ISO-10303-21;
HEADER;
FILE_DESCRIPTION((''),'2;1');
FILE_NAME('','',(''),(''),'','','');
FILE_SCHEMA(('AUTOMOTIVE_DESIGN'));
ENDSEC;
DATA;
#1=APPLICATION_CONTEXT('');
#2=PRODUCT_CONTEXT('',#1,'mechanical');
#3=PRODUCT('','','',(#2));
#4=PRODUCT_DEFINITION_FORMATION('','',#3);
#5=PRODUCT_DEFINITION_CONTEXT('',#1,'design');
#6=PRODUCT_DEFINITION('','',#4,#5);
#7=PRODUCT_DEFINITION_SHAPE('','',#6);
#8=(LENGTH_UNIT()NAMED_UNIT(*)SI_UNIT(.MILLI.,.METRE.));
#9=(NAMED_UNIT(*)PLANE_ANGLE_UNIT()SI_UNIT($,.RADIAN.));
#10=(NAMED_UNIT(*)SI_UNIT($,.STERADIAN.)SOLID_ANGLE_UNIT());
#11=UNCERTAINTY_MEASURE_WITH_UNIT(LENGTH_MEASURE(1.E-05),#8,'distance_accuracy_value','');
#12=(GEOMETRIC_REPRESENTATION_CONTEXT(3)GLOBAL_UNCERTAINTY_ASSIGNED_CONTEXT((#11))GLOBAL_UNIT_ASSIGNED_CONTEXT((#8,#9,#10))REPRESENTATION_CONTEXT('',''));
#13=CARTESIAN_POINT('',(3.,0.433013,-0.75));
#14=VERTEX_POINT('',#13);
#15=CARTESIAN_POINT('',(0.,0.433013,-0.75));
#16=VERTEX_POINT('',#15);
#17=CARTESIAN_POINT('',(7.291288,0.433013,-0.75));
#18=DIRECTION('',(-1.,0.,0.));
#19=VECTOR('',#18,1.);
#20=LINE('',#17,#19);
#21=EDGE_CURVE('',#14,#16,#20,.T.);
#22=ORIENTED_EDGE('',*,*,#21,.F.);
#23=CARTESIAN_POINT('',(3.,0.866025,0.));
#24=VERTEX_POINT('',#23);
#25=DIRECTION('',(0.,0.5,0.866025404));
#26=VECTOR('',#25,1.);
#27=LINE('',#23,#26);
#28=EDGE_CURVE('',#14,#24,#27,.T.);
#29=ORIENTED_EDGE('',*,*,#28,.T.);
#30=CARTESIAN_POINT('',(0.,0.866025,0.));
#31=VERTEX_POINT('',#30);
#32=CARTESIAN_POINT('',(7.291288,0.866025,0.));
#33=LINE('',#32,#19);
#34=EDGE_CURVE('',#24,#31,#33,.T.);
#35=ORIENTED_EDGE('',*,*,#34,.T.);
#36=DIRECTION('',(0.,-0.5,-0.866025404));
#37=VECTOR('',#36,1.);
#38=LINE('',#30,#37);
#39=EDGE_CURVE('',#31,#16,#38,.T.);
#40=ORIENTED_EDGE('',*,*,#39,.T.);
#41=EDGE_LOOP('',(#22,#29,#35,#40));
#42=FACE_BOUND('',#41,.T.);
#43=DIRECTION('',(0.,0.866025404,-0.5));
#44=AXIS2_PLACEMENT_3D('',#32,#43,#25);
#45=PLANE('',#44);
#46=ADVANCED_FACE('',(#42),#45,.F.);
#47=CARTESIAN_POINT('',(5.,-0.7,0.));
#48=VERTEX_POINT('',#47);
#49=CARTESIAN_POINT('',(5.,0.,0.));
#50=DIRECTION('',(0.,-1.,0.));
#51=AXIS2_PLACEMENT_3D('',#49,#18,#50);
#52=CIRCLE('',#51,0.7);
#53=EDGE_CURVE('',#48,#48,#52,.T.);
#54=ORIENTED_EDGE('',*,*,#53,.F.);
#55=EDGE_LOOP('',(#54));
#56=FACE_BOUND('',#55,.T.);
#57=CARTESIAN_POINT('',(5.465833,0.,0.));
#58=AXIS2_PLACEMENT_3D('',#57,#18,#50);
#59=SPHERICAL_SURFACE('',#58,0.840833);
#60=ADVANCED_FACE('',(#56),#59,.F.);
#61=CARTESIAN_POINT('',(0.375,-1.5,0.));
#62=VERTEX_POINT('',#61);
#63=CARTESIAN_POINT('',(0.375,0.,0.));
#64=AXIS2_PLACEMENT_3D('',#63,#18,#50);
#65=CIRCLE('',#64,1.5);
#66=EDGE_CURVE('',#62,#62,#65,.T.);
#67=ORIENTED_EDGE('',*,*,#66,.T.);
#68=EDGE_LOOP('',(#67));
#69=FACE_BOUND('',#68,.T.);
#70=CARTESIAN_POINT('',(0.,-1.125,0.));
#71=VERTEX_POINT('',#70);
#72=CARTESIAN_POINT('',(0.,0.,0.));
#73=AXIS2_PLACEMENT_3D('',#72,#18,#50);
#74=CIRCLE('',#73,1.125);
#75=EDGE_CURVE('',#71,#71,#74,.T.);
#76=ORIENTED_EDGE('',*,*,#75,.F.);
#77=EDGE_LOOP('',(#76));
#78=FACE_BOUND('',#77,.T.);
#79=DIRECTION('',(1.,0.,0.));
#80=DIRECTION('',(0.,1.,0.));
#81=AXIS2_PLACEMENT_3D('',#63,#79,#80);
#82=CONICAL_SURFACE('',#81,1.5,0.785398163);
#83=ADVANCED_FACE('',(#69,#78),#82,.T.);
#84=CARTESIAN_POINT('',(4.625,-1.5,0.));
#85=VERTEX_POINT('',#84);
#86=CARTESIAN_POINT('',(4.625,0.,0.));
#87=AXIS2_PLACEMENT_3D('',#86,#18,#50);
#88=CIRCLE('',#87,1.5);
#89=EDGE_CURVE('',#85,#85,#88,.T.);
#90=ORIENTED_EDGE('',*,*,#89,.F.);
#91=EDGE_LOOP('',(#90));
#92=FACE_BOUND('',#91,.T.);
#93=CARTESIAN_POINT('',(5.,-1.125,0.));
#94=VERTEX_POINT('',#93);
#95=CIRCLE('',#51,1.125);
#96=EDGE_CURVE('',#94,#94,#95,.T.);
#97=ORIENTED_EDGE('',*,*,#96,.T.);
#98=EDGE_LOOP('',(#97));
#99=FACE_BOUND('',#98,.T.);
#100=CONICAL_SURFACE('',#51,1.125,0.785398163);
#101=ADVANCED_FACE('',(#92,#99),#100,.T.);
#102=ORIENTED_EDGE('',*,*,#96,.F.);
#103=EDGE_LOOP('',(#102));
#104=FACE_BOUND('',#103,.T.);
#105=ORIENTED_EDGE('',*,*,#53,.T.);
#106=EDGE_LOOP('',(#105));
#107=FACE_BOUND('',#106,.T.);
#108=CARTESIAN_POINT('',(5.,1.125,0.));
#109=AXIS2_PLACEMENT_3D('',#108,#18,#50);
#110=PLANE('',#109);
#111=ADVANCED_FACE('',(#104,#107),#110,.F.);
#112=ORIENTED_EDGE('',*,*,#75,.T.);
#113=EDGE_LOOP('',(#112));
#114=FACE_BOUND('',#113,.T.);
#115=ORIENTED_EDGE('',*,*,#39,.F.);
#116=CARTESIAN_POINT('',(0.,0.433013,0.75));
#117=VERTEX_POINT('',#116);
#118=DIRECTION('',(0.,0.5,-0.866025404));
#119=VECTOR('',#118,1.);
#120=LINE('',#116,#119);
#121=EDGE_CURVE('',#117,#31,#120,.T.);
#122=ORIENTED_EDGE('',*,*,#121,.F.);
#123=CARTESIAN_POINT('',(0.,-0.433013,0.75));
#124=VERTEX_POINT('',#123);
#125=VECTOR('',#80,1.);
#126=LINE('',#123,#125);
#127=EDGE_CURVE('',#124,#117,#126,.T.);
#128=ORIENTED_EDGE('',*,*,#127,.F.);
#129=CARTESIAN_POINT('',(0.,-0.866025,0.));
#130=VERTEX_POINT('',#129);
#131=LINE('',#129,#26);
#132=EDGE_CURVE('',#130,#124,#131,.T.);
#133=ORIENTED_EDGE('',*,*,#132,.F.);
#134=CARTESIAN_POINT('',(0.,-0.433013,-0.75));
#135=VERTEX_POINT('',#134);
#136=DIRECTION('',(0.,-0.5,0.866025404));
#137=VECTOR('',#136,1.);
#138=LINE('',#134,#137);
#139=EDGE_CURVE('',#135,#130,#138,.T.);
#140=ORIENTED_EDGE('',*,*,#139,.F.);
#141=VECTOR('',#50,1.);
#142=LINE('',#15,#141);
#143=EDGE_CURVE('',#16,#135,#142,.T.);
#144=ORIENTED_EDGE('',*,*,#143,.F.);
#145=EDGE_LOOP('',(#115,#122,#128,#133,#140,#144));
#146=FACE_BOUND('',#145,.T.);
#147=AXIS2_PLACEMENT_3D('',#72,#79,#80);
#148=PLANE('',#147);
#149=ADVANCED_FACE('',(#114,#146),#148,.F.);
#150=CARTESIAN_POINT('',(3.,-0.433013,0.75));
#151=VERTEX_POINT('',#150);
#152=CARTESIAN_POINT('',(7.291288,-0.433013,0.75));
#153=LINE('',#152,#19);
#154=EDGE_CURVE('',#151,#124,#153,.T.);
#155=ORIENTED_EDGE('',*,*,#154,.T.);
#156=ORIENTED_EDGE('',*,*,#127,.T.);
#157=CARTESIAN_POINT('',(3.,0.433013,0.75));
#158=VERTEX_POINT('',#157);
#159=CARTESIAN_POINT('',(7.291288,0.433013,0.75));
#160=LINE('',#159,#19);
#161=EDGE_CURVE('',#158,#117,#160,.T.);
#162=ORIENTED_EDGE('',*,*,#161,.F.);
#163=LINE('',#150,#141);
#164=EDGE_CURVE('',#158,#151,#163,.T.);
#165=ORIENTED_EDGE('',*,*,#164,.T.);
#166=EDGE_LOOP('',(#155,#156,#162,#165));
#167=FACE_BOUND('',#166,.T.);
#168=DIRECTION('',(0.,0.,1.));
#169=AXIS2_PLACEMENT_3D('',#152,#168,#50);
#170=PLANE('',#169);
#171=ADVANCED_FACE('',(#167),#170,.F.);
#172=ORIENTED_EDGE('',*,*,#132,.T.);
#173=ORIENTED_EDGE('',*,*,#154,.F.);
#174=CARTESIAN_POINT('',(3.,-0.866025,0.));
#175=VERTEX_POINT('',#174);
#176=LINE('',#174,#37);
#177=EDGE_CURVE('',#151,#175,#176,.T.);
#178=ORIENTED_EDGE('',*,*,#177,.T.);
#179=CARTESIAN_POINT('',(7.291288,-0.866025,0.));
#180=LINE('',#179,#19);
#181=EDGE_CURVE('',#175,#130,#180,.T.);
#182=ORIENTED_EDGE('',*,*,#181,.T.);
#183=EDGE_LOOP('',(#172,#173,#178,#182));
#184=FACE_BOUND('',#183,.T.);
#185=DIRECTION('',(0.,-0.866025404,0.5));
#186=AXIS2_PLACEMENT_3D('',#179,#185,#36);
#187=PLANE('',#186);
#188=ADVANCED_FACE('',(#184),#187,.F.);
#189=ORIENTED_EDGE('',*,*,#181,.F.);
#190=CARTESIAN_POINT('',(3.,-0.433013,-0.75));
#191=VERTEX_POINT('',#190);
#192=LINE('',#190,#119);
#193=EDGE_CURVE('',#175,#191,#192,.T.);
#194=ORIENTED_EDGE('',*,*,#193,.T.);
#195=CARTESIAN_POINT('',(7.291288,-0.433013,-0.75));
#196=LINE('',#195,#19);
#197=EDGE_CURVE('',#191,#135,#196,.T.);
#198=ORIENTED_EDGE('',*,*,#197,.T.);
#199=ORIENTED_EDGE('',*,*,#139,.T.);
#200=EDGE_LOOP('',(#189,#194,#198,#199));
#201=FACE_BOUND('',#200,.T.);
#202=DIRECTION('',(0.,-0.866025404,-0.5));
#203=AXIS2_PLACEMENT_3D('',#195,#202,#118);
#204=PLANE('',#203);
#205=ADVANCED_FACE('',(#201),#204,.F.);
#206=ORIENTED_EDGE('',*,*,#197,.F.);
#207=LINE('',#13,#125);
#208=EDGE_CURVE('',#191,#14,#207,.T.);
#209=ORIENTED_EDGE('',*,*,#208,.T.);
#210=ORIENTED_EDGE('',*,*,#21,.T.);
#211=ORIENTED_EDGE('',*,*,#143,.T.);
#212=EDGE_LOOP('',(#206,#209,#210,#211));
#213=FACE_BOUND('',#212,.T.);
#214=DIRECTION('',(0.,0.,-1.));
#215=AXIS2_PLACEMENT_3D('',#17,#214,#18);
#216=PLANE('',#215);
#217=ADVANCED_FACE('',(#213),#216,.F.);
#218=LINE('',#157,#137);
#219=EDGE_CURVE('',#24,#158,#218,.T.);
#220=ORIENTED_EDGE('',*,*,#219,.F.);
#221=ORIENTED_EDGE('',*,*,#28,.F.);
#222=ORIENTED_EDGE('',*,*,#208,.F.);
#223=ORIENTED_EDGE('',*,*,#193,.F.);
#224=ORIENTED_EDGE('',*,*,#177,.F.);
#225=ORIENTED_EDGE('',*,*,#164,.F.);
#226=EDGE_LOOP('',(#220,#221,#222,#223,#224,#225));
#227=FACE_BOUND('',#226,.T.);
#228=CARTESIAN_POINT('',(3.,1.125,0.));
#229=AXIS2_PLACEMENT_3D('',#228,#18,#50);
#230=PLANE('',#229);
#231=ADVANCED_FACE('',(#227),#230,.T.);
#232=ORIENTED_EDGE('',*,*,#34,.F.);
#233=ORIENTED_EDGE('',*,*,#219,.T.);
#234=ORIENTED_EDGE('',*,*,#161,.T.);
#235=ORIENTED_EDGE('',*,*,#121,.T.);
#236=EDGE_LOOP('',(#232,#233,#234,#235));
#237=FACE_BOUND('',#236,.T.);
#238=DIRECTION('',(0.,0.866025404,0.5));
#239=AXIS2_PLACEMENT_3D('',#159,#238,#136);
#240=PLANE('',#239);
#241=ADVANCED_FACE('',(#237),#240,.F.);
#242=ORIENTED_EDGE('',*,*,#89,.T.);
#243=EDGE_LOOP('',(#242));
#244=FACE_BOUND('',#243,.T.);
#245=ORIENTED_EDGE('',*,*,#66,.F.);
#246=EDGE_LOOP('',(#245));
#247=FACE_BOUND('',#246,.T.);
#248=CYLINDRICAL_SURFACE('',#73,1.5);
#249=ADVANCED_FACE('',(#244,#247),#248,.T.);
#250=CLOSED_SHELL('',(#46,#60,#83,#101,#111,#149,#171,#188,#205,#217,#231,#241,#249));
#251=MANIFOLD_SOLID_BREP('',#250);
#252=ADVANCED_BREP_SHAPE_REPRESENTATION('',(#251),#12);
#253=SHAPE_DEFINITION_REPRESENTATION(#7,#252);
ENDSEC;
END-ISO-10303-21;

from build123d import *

# Parameters (mm, degrees)
CUT_EXTRUDE1_DEPTH = 3


with BuildPart() as part:
    # Sketch1 → Revolve1 (revolve)
    with BuildSketch(Plane.XY, mode=Mode.PRIVATE) as revolve1_sk:
        with BuildLine():
            Line((0, 0), (0, 1.125))
            Line((0, 1.125), (0.375, 1.5))
            Line((0.375, 1.5), (4.625, 1.5))
            Line((4.625, 1.5), (5, 1.125))
            Line((5, 1.125), (5, 0.7))
            ThreePointArc((5, 0.7), (4.724655592, 0.397059504), (4.625, 0))
            Line((4.625, 0), (0, 0))
        make_face()
    revolve(revolve1_sk.sketch.rotate(Axis((0, 0, 0), (1, 0, 0)), 180), axis=Axis((0, 0, 0), (1, 0, 0)))

    # Sketch2 → Cut-Extrude1 (cut)
    with BuildSketch(Plane.ZY):
        Polygon((0, 0.866025404), (-0.75, 0.433012702), (-0.75, -0.433012702), (0, -0.866025404), (0.75, -0.433012702), (0.75, 0.433012702), align=None)
    extrude(amount=-CUT_EXTRUDE1_DEPTH, mode=Mode.SUBTRACT)


solid = part.part
